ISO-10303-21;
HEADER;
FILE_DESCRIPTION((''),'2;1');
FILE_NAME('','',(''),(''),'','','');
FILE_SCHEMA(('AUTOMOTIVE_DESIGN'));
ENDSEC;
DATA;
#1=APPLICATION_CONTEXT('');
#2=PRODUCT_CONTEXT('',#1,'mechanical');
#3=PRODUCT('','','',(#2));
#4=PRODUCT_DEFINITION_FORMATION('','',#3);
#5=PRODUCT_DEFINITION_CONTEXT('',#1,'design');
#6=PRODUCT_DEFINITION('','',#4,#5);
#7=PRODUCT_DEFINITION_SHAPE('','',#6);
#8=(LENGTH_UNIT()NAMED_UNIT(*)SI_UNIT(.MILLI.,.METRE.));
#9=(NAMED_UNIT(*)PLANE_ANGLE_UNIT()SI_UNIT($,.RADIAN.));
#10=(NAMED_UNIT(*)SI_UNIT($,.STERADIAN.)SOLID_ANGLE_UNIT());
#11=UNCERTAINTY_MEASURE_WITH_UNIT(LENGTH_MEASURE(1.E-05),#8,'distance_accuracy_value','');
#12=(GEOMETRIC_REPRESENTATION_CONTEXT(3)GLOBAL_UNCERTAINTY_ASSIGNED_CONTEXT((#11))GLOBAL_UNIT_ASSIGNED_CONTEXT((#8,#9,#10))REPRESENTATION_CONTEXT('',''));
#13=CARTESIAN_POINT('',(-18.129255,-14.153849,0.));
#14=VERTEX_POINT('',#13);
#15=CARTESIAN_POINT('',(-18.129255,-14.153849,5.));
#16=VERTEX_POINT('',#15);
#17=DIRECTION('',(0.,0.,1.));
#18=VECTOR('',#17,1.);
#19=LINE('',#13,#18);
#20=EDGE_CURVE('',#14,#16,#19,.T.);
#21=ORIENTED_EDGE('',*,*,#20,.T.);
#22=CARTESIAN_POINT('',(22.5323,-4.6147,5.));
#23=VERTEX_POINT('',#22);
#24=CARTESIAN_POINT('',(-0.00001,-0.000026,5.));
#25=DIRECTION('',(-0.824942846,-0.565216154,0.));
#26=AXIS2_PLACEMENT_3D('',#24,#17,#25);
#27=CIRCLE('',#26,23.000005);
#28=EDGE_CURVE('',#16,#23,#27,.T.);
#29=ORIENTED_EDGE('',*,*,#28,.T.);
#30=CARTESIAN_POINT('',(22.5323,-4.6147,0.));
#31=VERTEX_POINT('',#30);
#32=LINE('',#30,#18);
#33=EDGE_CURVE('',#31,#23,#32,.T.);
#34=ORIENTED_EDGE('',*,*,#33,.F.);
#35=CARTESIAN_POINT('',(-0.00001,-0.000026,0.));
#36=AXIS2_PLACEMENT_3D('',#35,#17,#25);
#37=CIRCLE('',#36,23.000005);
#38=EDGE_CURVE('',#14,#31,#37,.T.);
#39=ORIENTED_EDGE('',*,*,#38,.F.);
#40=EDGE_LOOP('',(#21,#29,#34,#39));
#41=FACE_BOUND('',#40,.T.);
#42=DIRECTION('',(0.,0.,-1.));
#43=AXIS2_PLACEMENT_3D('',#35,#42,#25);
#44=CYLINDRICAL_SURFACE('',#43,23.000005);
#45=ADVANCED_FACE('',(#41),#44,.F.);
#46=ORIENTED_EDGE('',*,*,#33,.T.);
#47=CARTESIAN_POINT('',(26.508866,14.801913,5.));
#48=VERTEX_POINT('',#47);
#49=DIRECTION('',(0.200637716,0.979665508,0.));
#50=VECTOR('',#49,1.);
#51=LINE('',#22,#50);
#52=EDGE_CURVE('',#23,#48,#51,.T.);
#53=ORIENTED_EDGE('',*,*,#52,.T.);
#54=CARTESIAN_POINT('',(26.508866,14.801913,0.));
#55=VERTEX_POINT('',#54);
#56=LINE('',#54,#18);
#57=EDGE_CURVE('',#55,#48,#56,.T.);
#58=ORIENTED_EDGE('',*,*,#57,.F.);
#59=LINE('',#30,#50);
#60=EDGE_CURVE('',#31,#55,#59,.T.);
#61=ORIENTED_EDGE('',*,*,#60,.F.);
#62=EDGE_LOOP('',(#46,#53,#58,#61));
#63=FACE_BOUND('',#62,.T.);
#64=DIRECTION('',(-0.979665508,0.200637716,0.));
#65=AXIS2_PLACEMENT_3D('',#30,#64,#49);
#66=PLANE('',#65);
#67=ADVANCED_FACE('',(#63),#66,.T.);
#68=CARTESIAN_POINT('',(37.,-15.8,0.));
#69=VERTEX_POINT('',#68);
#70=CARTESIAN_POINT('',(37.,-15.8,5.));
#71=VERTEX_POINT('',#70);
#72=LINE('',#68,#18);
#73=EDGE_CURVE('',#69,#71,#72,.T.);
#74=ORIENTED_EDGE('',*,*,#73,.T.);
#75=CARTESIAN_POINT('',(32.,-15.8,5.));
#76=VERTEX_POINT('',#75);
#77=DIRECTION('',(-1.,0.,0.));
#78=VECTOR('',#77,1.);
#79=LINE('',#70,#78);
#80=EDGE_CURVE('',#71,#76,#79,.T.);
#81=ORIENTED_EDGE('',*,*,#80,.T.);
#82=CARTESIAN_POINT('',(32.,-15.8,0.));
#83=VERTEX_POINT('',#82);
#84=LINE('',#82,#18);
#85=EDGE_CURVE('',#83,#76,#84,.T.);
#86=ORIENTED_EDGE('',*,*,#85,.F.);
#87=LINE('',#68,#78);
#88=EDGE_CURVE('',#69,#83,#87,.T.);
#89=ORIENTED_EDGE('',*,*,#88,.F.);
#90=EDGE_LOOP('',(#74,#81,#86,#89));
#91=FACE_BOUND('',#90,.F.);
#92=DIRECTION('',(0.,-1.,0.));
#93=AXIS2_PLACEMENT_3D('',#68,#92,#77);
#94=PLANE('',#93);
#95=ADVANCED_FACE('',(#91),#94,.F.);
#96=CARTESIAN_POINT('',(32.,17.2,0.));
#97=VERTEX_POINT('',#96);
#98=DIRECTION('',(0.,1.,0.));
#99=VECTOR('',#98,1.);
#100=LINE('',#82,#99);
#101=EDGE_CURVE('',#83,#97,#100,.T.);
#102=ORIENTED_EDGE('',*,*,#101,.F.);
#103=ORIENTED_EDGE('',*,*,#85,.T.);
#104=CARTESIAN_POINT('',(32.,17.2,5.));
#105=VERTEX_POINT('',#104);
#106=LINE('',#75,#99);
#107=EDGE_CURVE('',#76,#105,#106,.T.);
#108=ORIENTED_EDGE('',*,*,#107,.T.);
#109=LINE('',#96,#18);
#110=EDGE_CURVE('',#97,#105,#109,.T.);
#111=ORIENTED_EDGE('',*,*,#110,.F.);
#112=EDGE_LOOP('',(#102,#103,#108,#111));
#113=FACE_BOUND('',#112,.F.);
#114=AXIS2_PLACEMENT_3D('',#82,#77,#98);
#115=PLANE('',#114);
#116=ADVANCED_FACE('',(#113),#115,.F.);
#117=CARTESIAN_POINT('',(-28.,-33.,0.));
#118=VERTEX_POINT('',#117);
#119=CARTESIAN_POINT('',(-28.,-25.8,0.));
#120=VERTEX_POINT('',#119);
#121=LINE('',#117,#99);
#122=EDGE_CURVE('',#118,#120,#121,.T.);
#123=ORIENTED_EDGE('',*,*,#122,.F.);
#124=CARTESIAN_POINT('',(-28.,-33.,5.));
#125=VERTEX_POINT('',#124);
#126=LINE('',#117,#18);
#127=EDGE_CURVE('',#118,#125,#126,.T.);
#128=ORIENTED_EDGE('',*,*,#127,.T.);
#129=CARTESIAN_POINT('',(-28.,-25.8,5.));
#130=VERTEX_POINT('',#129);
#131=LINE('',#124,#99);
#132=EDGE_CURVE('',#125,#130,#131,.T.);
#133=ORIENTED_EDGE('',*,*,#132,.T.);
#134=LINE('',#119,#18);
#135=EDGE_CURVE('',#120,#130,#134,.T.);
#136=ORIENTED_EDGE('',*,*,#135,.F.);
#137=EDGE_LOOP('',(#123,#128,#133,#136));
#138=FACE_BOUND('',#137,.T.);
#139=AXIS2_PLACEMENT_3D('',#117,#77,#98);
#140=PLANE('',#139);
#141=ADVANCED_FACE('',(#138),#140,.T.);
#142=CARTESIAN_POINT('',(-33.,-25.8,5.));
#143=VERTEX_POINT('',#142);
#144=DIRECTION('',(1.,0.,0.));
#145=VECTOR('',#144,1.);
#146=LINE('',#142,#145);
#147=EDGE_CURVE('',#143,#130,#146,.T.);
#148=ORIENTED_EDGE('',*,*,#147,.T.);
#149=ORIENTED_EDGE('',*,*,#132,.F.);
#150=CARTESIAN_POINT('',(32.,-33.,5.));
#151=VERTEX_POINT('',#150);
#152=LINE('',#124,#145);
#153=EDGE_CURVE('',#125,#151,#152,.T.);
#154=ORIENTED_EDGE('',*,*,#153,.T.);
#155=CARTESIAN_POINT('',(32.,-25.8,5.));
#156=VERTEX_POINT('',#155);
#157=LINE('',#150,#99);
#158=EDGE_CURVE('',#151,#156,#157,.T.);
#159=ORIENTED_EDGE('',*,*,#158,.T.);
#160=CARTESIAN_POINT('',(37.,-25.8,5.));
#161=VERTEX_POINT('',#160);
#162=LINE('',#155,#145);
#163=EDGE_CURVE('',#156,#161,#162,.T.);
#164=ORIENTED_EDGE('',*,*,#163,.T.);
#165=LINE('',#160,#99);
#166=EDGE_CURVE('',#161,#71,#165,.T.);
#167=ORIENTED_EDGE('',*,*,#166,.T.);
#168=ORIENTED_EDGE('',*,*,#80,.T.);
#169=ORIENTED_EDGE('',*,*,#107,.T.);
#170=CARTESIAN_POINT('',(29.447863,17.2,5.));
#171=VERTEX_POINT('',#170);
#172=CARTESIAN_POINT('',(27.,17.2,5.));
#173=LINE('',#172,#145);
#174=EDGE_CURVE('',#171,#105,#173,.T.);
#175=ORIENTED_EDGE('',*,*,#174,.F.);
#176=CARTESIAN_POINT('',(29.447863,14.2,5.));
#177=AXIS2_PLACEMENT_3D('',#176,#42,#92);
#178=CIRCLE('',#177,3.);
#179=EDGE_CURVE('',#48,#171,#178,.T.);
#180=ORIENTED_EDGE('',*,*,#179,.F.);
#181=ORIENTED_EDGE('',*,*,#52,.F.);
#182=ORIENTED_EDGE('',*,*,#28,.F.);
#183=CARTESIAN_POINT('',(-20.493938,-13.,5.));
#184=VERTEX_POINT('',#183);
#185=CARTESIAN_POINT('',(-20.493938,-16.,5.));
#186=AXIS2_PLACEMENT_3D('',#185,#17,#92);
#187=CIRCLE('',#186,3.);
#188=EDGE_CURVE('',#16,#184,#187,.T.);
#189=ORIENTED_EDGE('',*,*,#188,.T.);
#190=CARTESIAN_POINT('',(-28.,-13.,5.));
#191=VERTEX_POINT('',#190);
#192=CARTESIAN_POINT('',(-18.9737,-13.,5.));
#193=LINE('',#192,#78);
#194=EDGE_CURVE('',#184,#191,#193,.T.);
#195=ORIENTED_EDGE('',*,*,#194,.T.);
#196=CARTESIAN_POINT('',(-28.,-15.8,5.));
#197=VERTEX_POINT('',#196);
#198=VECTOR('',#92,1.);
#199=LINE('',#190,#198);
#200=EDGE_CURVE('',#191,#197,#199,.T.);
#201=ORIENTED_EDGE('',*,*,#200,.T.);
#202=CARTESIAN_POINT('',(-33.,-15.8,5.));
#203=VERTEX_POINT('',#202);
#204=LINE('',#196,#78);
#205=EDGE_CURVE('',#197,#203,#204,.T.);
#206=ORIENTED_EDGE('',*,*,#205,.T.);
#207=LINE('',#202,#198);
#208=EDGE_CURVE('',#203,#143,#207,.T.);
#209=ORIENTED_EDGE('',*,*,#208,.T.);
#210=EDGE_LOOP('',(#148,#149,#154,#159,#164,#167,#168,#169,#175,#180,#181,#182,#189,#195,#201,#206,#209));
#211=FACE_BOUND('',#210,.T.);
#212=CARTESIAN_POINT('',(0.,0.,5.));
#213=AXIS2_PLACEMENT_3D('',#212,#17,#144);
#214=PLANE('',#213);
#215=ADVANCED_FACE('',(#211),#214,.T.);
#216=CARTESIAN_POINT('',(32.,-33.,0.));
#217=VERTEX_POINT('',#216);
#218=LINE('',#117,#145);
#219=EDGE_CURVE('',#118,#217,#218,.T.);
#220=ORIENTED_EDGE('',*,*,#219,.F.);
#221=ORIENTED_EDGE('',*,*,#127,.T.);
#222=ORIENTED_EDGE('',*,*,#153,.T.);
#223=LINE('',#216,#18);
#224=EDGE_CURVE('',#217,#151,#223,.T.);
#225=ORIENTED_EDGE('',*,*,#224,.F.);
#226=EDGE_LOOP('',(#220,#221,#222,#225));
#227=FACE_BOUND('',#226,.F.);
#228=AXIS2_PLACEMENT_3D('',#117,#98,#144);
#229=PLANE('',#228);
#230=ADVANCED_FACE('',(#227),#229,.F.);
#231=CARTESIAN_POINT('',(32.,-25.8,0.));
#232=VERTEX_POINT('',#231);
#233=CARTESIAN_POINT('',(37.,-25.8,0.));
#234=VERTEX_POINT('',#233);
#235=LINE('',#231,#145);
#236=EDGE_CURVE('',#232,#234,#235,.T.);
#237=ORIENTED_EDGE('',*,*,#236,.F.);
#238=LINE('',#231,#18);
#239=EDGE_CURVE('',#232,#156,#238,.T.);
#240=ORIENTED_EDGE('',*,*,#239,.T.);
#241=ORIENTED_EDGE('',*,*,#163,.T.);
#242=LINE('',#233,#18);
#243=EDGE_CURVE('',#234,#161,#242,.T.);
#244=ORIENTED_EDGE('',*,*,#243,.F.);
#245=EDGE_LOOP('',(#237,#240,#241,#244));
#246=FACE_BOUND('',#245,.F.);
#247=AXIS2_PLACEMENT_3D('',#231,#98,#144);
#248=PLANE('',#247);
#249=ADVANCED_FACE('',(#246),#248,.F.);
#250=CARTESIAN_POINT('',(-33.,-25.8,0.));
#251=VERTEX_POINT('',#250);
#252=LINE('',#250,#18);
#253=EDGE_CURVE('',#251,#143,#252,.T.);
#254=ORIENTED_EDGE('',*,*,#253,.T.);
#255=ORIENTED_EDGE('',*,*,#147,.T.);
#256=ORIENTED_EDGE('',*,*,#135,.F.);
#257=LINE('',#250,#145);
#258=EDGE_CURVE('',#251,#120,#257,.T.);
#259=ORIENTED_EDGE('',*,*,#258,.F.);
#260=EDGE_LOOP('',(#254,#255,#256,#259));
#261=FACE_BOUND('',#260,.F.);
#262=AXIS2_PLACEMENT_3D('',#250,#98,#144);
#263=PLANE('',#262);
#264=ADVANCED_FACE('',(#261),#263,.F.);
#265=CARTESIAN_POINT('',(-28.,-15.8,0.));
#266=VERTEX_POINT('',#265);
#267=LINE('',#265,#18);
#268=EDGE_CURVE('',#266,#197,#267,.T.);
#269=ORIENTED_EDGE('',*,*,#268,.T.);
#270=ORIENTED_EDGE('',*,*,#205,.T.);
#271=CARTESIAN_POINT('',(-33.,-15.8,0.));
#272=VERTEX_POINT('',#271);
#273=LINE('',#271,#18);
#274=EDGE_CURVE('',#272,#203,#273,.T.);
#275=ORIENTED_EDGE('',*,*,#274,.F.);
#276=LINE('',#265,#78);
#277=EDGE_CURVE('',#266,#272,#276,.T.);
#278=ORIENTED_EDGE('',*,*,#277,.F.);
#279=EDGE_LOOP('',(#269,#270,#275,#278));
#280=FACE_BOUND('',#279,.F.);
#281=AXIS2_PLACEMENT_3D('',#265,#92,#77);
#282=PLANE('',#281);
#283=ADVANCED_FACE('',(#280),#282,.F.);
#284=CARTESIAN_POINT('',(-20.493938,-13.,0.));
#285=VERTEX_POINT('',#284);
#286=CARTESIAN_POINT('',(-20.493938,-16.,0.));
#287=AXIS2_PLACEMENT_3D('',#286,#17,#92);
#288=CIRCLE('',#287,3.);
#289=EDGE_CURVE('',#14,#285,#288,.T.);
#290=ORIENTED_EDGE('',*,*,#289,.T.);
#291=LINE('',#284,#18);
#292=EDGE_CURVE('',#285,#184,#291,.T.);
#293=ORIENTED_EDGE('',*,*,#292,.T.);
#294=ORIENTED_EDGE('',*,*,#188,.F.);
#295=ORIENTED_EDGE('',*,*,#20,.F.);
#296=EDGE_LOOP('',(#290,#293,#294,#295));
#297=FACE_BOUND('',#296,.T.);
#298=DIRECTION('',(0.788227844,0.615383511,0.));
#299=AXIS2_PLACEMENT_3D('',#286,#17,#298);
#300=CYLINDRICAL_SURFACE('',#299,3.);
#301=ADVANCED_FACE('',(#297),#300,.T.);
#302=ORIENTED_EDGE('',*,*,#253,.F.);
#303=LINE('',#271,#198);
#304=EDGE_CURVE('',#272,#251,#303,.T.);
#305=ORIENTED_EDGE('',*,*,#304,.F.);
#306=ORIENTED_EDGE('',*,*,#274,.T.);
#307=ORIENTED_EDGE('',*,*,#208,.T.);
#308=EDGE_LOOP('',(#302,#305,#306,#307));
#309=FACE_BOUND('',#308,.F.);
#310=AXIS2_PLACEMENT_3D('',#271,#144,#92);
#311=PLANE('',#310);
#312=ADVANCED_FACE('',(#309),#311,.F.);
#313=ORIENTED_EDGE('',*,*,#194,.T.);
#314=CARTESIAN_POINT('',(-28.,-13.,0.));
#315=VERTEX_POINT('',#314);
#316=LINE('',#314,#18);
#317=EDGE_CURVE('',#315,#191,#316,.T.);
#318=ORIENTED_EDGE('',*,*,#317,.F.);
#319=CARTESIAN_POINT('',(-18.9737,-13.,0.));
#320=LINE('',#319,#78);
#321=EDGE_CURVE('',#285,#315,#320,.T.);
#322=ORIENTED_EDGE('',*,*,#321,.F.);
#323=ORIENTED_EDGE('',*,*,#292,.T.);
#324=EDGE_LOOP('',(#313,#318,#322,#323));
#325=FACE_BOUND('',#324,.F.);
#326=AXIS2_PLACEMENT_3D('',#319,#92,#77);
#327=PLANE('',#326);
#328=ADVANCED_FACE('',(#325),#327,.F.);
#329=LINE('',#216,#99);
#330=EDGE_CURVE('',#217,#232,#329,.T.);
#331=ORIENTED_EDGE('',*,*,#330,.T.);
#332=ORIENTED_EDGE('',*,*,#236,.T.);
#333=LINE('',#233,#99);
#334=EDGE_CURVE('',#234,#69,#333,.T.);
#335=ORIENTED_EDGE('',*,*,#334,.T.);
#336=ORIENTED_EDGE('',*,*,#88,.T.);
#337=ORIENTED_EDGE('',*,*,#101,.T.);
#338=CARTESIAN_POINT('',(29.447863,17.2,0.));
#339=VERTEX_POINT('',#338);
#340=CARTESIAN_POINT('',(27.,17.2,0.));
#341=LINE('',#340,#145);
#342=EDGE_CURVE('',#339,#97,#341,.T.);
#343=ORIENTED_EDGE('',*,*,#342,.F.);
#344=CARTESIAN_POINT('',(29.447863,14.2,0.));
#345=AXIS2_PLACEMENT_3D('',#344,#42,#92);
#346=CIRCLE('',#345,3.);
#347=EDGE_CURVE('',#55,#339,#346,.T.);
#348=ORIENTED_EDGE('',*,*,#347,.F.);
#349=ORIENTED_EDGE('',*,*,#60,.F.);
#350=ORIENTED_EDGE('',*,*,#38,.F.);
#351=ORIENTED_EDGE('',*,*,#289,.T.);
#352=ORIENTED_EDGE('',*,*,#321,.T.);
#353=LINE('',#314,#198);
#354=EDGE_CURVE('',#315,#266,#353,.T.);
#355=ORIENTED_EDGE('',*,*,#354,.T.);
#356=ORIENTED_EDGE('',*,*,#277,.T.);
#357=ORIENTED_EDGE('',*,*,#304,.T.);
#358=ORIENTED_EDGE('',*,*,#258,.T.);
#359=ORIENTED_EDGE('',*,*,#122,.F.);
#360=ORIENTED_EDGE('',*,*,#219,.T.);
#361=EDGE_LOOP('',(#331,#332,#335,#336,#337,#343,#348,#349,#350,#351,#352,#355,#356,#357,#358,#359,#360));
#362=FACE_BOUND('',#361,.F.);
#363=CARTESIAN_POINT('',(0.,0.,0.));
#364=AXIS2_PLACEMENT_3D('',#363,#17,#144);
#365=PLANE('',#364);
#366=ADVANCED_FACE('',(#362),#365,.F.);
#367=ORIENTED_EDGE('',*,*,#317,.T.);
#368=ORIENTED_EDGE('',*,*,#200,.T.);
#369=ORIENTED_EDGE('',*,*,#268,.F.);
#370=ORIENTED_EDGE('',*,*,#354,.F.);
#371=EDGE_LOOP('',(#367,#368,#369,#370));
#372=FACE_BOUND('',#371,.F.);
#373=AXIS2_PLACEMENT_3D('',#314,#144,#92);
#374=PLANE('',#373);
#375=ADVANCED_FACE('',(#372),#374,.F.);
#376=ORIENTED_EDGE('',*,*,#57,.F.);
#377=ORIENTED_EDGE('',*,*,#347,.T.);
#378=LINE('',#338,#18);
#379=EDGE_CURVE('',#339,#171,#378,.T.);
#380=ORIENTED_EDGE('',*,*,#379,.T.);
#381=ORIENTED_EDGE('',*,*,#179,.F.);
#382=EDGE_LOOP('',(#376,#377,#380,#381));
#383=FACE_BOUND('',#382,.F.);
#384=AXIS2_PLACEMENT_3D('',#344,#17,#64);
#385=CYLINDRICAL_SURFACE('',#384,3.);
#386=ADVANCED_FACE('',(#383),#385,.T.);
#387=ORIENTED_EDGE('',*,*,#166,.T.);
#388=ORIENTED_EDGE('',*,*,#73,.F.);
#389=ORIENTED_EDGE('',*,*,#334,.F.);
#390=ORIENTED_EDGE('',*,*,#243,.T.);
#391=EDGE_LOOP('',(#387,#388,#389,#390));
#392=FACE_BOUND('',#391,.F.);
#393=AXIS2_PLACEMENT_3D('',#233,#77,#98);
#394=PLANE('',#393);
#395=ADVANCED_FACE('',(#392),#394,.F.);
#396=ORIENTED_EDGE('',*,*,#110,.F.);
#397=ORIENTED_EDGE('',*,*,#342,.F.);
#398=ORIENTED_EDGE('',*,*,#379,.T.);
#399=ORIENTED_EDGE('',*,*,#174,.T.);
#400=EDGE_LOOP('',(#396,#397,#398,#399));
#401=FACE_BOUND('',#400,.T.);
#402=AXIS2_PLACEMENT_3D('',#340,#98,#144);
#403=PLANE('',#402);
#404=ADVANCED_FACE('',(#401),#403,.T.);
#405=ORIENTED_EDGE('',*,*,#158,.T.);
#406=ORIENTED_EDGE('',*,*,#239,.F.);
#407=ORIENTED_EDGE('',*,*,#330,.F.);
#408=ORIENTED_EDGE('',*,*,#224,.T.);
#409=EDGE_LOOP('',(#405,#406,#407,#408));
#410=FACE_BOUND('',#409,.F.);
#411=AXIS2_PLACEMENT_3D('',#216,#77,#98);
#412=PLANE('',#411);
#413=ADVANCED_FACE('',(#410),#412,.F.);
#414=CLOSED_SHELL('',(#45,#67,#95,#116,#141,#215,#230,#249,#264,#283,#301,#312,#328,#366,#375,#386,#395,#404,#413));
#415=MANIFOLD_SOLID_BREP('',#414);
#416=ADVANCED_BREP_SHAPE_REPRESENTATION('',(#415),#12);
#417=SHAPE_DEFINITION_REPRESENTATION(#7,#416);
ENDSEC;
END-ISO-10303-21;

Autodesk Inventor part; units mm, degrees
ref_plane "YZ Plane" through (0, 0, 0) normal (1, 0, 0) x (0, 1, 0)
ref_plane "XZ Plane" through (0, 0, 0) normal (0, 1, 0) x (-1, 0, 0)
ref_plane "XY Plane" through (0, 0, 0) normal (0, 0, 1) x (1, 0, 0)
sketch "Sketch1" plane through (0, 0, 0) normal (0, 0, 1) x (1, 0, 0)
  arc A0 (-18.9737, -13) -> (22.5323, -4.6147) centre (0, 0) ccw
  circle A1 centre (0, 0) radius 23 construction
  line L0 (-28, 0) -> (-28, -39.6186) construction
  line L1 (-18.9737, -13) -> (-28, -13)
  line L2 (-28, -13) -> (-28, -15.8)
  line L3 (-28, -15.8) -> (-33, -15.8)
  line L4 (-33, -15.8) -> (-33, -25.8)
  line L5 (37, -25.8) -> (37, -15.8)
  line L6 (37, -15.8) -> (32, -15.8)
  line L7 (32, -15.8) -> (32, 17.2)
  line L8 (-33, -25.8) -> (-28, -25.8)
  line L9 (-28, -33) -> (-28, -25.8)
  line L10 (-28, -33) -> (32, -33)
  line L11 (32, -33) -> (32, -25.8)
  line L12 (32, -25.8) -> (37, -25.8)
  line L13 (0, 0) -> (-28, 0) construction
  line L14 (22.5323, -4.6147) -> (27, 17.2)
  line L15 (27, 17.2) -> (32, 17.2)
  dimension "d0" = 46
  dimension "d1" = 15.8
  dimension "d2" = 13
  dimension "d3" = 5
  dimension "d4" = 5
  dimension "d5" = 10
  dimension "d6" = 60
  dimension "d7" = 33
  dimension "d10" = 33
  dimension "d13" = 28
  dimension "d14" = 5
extrude "Extrusion1" add sketch "Sketch1" along normal blind 5
fillet "Fillet1" radius 3 2 edges at (-18.9737, -13, 2.5) (27, 17.2, 2.5)
equation "\"d4\" = d3"
properties part number "104.003.01_Endanschlag_Flasche"
